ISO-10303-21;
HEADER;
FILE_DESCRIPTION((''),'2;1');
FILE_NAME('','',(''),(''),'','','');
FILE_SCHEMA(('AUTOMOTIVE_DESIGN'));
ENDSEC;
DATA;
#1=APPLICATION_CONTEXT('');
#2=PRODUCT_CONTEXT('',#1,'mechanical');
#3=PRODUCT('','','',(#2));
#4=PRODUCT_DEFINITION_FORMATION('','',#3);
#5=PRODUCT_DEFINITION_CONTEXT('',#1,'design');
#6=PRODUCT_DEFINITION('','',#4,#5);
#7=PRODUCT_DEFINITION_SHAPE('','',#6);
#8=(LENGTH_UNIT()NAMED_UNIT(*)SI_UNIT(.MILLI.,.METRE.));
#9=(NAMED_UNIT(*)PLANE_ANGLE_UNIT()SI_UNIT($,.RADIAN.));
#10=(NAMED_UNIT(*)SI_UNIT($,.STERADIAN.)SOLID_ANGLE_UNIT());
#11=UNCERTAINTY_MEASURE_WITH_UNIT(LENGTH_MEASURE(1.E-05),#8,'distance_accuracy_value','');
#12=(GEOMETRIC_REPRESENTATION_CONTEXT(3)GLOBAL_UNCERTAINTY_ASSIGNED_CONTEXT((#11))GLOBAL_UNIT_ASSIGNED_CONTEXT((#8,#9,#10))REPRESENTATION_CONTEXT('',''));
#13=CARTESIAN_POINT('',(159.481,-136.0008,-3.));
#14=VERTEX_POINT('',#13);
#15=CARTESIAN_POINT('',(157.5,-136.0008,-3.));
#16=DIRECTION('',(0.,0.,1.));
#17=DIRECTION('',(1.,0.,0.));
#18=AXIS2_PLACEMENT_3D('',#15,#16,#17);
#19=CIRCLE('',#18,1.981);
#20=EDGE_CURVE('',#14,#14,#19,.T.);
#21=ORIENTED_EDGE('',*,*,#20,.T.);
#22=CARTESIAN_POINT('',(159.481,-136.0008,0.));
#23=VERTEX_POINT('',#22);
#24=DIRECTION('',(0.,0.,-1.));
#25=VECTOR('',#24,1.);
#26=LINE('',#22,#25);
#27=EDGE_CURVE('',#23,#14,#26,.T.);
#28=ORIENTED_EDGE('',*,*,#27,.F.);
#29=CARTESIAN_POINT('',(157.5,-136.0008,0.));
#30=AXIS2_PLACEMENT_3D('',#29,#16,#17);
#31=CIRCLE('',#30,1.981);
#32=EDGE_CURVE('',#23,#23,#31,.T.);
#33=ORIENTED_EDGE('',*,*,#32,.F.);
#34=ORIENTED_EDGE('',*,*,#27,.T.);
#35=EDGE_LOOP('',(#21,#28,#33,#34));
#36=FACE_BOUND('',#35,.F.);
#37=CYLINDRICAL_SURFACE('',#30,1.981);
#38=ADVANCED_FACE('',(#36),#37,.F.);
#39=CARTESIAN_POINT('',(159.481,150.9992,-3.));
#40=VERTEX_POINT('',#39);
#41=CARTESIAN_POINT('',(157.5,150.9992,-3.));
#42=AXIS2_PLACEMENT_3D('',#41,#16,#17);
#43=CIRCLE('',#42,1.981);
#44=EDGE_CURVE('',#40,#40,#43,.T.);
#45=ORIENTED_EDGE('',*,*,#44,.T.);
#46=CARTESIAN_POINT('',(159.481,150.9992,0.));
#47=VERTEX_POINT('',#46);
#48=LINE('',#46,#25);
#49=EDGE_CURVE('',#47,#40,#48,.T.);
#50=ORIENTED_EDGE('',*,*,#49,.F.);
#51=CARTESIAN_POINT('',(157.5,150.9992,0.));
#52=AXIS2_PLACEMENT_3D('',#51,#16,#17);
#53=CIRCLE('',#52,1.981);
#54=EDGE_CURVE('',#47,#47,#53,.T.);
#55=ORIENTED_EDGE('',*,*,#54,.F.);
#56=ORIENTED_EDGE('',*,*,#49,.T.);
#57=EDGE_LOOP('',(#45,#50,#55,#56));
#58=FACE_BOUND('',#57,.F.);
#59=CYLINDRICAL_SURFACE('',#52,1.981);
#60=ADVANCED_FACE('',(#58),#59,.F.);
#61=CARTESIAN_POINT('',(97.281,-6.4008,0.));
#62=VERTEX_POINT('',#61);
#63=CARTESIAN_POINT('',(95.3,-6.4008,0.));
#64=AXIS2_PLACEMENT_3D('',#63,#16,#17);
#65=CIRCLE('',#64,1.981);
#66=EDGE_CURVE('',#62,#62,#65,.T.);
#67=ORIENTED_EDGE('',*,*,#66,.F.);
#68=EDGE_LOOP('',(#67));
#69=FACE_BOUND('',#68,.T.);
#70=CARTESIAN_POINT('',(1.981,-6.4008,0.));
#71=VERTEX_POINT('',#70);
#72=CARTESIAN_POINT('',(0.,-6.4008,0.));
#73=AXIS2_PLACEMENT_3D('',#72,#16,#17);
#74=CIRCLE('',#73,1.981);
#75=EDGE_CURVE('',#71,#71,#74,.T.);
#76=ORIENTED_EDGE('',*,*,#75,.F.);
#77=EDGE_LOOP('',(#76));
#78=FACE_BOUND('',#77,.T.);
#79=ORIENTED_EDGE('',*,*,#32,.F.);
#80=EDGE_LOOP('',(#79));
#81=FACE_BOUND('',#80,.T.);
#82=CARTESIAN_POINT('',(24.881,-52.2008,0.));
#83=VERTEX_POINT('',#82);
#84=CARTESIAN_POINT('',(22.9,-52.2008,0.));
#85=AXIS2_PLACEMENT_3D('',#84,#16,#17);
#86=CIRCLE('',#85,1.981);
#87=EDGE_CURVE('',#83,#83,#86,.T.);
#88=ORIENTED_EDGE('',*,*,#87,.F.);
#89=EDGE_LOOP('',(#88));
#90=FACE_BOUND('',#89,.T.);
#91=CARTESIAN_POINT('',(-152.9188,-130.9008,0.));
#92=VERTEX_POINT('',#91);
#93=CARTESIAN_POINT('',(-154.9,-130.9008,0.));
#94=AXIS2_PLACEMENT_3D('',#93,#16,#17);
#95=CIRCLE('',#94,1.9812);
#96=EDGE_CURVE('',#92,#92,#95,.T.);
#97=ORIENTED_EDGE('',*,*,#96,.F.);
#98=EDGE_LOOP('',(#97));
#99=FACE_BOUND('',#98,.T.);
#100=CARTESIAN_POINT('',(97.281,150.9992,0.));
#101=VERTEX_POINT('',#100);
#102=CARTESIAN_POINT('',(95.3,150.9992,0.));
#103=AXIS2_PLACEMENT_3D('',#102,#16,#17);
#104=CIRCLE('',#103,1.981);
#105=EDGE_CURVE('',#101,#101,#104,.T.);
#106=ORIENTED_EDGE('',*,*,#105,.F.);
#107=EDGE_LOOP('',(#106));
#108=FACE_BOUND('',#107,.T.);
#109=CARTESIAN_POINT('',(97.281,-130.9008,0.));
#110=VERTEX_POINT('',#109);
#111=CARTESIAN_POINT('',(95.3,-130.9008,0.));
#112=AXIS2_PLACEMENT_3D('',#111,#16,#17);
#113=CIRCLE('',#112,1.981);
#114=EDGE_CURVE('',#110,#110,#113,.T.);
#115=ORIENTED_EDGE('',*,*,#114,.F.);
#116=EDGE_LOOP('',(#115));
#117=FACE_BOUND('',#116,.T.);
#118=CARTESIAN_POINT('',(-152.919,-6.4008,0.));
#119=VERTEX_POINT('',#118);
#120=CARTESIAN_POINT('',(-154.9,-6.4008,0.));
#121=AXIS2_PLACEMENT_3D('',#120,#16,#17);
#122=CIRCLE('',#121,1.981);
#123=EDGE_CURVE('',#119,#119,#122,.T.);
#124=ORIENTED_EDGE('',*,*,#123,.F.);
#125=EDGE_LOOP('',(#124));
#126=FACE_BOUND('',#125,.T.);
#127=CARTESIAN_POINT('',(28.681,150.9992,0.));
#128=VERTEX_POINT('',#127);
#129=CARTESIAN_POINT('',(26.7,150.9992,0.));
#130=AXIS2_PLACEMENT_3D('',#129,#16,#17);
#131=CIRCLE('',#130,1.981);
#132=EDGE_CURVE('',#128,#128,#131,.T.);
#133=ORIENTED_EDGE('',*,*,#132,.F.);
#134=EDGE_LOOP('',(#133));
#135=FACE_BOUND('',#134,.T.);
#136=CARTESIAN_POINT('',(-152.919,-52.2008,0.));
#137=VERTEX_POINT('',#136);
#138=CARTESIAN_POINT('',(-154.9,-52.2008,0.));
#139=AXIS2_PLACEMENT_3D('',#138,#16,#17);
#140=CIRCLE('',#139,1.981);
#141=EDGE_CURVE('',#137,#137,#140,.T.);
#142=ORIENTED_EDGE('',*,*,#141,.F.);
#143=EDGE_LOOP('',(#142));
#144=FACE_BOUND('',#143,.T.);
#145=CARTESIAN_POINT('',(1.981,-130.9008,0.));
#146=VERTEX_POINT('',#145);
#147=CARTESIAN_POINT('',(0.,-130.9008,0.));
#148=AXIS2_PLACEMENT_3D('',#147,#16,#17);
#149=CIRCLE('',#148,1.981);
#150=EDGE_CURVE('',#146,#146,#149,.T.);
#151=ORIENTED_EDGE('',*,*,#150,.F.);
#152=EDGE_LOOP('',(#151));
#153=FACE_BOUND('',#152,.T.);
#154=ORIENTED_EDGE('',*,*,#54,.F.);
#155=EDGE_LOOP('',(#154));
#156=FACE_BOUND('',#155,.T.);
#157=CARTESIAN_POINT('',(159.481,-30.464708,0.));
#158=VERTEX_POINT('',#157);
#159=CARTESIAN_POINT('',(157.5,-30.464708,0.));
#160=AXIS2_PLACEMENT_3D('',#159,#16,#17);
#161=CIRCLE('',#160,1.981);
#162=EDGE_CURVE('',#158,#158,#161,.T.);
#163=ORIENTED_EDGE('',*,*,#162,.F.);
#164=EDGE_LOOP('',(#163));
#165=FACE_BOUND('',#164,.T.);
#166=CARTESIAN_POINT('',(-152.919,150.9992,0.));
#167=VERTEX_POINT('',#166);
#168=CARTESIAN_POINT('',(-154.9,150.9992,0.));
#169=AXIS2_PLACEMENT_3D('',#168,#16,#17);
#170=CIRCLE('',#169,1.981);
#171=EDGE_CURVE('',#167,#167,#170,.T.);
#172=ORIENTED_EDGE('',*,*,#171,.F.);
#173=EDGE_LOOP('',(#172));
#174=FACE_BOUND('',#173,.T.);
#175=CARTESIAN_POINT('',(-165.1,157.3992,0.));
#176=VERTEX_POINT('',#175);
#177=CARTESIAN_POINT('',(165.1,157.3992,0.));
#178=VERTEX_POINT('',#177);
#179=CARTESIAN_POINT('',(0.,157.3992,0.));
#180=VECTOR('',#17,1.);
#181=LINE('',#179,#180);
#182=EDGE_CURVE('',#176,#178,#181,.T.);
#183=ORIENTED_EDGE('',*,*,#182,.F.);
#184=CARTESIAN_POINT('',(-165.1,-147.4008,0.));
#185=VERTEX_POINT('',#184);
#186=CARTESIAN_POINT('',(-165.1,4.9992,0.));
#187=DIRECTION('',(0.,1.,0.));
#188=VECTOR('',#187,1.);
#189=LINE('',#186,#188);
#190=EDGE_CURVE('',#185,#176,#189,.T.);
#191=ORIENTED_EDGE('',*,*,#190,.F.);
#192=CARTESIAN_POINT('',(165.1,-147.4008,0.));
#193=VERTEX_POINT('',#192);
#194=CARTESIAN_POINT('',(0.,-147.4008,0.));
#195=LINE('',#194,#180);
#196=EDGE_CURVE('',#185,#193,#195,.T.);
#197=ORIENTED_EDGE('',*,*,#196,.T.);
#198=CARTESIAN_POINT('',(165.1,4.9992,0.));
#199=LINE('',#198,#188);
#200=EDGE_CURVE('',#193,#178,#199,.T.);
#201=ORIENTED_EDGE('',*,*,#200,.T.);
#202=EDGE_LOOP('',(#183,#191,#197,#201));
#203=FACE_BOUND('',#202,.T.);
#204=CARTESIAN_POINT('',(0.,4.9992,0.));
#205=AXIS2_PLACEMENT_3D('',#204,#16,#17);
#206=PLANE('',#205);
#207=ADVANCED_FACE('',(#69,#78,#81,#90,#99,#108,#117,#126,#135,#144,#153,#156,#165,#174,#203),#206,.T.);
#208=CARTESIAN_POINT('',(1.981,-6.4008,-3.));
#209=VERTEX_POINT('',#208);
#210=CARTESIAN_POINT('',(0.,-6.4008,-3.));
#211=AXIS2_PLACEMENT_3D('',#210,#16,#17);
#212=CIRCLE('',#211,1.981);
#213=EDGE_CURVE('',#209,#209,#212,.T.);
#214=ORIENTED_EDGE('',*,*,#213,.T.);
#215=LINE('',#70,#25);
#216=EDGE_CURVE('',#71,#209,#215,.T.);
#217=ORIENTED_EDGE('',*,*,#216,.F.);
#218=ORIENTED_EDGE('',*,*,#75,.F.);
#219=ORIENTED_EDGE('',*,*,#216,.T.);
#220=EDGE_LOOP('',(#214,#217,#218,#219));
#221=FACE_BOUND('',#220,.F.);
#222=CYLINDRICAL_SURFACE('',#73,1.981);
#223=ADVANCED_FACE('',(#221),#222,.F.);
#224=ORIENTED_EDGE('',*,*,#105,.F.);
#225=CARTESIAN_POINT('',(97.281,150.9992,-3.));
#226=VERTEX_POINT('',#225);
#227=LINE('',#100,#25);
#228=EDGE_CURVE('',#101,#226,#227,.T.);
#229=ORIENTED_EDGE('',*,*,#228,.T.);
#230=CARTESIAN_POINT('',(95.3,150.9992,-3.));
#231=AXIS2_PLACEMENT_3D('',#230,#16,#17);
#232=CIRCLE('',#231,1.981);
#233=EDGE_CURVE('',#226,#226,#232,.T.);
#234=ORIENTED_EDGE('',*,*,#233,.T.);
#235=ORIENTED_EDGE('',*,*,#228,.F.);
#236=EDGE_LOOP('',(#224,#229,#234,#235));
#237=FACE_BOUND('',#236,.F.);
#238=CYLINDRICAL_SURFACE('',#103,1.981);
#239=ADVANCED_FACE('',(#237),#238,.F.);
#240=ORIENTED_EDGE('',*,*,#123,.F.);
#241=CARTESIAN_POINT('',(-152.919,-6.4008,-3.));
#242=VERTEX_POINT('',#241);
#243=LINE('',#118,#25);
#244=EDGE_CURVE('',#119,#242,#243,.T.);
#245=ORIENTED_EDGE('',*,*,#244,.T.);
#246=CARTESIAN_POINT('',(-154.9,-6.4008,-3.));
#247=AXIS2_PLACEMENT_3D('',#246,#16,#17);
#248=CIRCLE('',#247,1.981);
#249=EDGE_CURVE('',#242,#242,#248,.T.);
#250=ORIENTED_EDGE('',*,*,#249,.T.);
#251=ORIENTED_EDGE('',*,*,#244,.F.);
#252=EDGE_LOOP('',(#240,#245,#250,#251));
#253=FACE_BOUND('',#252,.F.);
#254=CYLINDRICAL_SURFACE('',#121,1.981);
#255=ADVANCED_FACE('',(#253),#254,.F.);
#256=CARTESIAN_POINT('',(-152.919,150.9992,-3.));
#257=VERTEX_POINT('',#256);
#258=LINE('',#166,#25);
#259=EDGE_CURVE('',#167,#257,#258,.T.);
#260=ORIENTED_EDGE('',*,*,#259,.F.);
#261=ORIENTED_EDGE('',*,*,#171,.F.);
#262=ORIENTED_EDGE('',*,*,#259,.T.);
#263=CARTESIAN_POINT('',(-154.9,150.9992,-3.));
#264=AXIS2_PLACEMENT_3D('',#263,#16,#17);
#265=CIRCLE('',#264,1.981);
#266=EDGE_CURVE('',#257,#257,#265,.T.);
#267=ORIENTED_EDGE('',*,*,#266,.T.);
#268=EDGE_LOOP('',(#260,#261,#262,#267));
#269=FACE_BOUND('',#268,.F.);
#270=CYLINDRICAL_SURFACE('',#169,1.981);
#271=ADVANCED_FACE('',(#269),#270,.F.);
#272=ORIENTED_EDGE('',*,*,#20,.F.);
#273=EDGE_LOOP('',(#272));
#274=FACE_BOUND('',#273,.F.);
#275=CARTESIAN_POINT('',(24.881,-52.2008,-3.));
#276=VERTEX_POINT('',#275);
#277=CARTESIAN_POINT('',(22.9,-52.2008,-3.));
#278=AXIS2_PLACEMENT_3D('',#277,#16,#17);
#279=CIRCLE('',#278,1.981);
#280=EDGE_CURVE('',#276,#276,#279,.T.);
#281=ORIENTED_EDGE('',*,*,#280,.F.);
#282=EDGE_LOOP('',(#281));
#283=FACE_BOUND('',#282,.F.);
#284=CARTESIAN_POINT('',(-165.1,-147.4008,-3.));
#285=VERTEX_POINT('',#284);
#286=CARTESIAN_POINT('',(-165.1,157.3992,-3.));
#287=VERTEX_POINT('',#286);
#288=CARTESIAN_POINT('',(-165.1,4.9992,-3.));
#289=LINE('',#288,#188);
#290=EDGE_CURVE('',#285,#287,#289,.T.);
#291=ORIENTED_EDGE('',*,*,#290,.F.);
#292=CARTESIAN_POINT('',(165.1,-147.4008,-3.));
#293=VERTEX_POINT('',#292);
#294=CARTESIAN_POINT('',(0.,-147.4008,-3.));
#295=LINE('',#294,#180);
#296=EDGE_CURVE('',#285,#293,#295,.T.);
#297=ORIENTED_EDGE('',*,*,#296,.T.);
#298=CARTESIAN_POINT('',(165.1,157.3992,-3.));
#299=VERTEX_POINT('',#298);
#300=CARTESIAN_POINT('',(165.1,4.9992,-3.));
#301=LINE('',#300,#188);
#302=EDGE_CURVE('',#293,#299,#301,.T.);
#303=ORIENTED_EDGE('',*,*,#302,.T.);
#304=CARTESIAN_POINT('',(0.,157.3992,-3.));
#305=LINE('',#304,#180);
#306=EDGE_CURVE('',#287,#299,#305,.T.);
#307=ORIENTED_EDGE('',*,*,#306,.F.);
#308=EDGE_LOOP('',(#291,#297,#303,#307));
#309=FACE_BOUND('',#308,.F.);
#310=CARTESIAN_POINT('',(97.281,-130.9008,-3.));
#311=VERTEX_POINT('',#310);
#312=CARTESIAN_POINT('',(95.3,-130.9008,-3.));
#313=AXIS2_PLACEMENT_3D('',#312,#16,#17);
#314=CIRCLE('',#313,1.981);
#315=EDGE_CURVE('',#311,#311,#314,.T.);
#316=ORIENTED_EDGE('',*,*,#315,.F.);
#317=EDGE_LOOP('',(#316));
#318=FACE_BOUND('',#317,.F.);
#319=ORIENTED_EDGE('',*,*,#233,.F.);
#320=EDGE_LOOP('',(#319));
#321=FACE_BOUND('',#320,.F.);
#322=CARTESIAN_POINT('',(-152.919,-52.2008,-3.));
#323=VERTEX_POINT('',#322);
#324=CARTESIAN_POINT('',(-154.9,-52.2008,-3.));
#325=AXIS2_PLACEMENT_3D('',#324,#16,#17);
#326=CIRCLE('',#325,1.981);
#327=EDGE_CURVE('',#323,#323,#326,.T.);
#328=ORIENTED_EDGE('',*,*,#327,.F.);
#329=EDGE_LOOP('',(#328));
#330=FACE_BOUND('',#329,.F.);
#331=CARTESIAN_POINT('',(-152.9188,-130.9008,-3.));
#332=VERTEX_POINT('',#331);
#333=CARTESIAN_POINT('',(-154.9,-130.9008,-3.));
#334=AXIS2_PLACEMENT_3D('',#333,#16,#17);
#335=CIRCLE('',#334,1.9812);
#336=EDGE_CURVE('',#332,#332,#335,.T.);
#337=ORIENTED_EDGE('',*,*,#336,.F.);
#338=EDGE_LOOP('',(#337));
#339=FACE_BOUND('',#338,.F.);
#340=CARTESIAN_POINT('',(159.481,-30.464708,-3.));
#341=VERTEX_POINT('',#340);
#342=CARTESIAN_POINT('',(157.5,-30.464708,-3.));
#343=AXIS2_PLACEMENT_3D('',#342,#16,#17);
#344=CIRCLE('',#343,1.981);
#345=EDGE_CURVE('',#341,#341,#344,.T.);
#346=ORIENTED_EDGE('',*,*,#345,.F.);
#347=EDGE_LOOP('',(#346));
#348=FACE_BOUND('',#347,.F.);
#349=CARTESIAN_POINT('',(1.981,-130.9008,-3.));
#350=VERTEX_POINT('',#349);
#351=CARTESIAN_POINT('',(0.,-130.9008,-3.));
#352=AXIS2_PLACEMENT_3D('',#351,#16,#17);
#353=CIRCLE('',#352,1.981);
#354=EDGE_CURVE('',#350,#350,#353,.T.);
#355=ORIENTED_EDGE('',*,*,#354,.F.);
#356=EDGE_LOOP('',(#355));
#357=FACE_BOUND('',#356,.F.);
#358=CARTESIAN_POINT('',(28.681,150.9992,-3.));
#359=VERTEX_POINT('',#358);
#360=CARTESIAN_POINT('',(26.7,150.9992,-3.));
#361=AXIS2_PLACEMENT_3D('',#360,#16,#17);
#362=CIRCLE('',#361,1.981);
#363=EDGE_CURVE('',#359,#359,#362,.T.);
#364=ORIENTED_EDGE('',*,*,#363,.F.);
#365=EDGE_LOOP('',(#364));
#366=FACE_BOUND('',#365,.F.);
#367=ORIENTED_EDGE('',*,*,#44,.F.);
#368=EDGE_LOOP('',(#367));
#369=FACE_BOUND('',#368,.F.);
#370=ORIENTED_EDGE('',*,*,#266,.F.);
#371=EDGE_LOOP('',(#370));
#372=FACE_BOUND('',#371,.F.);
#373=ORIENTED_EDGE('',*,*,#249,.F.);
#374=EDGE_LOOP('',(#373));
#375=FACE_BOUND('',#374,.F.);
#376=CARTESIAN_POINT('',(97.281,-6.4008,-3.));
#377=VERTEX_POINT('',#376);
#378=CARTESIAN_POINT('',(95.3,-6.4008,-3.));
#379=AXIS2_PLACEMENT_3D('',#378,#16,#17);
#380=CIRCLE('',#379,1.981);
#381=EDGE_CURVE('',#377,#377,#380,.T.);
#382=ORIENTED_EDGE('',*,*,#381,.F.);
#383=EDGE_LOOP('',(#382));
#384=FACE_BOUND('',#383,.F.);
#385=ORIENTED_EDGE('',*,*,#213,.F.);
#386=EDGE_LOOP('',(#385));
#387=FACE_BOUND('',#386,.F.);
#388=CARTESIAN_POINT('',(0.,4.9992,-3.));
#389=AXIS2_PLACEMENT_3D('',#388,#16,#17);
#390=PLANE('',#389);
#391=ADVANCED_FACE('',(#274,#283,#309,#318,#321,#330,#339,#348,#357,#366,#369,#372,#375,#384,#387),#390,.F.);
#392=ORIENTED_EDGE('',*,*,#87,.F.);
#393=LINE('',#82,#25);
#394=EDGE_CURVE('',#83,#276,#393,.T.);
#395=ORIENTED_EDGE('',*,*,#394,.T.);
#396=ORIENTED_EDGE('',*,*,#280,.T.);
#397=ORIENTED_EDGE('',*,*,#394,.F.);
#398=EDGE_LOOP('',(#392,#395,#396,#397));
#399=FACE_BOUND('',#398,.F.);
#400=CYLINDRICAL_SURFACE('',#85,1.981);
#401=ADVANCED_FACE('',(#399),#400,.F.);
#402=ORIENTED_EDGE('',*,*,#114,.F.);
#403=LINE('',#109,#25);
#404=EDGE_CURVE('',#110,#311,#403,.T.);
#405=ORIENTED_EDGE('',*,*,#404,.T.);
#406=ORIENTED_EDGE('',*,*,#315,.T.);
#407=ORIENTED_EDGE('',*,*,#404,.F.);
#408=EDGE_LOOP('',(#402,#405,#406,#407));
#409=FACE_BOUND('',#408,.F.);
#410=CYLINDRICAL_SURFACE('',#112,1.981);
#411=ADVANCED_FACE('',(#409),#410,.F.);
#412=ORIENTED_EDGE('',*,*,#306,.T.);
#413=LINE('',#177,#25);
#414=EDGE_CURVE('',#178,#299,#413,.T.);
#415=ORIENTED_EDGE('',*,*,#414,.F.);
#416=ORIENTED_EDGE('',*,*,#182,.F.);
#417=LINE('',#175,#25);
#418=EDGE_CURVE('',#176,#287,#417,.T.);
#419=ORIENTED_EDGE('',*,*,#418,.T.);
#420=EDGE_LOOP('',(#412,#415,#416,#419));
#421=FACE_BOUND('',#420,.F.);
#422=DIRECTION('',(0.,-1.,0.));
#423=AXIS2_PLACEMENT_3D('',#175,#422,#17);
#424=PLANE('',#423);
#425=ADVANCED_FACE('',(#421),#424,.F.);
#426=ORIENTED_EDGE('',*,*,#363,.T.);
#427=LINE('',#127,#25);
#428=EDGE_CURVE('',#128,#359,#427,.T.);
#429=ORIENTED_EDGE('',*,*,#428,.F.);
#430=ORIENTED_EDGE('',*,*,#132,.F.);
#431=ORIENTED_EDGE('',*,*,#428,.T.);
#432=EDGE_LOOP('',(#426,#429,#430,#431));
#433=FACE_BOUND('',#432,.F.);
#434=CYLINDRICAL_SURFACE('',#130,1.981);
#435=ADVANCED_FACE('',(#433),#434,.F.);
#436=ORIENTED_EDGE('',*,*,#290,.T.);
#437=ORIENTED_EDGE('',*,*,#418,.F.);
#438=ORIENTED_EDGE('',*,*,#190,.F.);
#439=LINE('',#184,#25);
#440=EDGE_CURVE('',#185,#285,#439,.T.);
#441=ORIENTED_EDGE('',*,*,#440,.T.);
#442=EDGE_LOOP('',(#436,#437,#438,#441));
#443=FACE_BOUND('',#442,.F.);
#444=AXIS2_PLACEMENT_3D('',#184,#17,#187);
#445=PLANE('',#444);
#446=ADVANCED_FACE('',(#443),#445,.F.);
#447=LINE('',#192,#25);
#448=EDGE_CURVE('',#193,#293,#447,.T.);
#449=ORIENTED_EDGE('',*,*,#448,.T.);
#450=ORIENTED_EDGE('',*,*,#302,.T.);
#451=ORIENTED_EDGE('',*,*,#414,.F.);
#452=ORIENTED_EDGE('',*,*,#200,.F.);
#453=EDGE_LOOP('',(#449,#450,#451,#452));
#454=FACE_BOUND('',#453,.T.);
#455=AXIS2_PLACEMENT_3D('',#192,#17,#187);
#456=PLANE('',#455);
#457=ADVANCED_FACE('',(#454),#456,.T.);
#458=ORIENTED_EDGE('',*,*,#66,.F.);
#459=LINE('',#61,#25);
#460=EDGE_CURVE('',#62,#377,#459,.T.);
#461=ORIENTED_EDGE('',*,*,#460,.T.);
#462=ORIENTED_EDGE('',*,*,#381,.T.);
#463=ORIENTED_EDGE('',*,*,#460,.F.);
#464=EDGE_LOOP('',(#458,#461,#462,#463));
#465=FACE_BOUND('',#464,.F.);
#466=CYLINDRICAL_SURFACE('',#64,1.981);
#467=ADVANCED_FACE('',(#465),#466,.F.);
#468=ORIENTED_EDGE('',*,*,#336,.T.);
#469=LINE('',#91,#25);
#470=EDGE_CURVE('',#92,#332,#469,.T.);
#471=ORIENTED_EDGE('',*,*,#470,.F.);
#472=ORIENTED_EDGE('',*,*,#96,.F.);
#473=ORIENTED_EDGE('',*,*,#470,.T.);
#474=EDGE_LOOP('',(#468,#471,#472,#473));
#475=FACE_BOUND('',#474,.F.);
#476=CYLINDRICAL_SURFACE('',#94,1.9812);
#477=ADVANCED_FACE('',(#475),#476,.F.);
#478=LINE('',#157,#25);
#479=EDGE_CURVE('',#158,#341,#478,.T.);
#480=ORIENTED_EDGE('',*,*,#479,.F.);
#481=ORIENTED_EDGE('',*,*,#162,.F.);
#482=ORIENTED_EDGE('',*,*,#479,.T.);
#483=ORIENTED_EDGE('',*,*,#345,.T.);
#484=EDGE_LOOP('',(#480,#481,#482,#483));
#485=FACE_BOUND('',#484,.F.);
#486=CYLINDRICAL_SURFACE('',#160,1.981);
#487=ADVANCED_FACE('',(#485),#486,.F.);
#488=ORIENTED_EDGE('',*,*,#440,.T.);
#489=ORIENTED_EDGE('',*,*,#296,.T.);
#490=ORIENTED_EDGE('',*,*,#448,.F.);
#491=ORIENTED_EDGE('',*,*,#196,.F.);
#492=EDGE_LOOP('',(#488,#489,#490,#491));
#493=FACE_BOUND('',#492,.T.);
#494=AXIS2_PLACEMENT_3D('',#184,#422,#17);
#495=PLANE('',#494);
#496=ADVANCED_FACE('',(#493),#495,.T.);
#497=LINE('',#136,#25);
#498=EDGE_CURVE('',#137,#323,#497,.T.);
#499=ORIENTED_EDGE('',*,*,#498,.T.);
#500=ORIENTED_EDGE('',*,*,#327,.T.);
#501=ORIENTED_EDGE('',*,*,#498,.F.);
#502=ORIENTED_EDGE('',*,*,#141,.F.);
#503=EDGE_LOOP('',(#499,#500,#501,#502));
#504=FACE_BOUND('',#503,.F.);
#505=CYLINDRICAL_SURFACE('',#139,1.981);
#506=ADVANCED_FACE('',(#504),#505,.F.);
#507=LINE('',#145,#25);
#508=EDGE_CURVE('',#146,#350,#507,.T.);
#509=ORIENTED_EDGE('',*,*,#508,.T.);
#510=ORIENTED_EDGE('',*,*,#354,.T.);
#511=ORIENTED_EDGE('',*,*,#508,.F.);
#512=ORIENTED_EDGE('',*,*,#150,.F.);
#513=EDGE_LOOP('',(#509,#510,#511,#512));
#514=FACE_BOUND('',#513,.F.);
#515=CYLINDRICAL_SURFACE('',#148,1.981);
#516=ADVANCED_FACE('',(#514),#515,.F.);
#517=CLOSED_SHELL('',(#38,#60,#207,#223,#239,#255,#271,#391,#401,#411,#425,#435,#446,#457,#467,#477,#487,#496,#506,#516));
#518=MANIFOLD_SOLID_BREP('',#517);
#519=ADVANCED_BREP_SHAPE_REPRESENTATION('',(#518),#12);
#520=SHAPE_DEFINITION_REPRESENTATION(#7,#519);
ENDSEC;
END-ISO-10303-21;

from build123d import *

# Parameters (mm, degrees)
F0_W     = 330.2
F0_H     = 304.8
F0_R     = 1.9812
F0_R_2   = 1.981
F1_DEPTH = 3


with BuildPart() as f1:
    # F0 (on Top) → F1 (new body)
    with BuildSketch(Plane.XY):
        with Locations((0, 4.9992)):
            Rectangle(F0_W, F0_H)
        with Locations((-154.9, -130.9008)):
            Circle(F0_R, mode=Mode.SUBTRACT)
        with Locations((-154.9, -52.2008)):
            Circle(F0_R_2, mode=Mode.SUBTRACT)
        with Locations((-154.9, -6.4008)):
            Circle(F0_R_2, mode=Mode.SUBTRACT)
        with Locations((0, -130.9008)):
            Circle(F0_R_2, mode=Mode.SUBTRACT)
        with Locations((95.3, -130.9008)):
            Circle(F0_R_2, mode=Mode.SUBTRACT)
        with Locations((157.5, -136.0008)):
            Circle(F0_R_2, mode=Mode.SUBTRACT)
        with Locations((22.9, -52.2008)):
            Circle(F0_R_2, mode=Mode.SUBTRACT)
        with Locations((0, -6.4008)):
            Circle(F0_R_2, mode=Mode.SUBTRACT)
        with Locations((95.3, -6.4008)):
            Circle(F0_R_2, mode=Mode.SUBTRACT)
        with Locations((157.5, -30.464708)):
            Circle(F0_R_2, mode=Mode.SUBTRACT)
        with Locations((-154.9, 150.9992)):
            Circle(F0_R_2, mode=Mode.SUBTRACT)
        with Locations((26.7, 150.9992)):
            Circle(F0_R_2, mode=Mode.SUBTRACT)
        with Locations((95.3, 150.9992)):
            Circle(F0_R_2, mode=Mode.SUBTRACT)
        with Locations((157.5, 150.9992)):
            Circle(F0_R_2, mode=Mode.SUBTRACT)
    extrude(amount=-F1_DEPTH)


solid = f1.part
